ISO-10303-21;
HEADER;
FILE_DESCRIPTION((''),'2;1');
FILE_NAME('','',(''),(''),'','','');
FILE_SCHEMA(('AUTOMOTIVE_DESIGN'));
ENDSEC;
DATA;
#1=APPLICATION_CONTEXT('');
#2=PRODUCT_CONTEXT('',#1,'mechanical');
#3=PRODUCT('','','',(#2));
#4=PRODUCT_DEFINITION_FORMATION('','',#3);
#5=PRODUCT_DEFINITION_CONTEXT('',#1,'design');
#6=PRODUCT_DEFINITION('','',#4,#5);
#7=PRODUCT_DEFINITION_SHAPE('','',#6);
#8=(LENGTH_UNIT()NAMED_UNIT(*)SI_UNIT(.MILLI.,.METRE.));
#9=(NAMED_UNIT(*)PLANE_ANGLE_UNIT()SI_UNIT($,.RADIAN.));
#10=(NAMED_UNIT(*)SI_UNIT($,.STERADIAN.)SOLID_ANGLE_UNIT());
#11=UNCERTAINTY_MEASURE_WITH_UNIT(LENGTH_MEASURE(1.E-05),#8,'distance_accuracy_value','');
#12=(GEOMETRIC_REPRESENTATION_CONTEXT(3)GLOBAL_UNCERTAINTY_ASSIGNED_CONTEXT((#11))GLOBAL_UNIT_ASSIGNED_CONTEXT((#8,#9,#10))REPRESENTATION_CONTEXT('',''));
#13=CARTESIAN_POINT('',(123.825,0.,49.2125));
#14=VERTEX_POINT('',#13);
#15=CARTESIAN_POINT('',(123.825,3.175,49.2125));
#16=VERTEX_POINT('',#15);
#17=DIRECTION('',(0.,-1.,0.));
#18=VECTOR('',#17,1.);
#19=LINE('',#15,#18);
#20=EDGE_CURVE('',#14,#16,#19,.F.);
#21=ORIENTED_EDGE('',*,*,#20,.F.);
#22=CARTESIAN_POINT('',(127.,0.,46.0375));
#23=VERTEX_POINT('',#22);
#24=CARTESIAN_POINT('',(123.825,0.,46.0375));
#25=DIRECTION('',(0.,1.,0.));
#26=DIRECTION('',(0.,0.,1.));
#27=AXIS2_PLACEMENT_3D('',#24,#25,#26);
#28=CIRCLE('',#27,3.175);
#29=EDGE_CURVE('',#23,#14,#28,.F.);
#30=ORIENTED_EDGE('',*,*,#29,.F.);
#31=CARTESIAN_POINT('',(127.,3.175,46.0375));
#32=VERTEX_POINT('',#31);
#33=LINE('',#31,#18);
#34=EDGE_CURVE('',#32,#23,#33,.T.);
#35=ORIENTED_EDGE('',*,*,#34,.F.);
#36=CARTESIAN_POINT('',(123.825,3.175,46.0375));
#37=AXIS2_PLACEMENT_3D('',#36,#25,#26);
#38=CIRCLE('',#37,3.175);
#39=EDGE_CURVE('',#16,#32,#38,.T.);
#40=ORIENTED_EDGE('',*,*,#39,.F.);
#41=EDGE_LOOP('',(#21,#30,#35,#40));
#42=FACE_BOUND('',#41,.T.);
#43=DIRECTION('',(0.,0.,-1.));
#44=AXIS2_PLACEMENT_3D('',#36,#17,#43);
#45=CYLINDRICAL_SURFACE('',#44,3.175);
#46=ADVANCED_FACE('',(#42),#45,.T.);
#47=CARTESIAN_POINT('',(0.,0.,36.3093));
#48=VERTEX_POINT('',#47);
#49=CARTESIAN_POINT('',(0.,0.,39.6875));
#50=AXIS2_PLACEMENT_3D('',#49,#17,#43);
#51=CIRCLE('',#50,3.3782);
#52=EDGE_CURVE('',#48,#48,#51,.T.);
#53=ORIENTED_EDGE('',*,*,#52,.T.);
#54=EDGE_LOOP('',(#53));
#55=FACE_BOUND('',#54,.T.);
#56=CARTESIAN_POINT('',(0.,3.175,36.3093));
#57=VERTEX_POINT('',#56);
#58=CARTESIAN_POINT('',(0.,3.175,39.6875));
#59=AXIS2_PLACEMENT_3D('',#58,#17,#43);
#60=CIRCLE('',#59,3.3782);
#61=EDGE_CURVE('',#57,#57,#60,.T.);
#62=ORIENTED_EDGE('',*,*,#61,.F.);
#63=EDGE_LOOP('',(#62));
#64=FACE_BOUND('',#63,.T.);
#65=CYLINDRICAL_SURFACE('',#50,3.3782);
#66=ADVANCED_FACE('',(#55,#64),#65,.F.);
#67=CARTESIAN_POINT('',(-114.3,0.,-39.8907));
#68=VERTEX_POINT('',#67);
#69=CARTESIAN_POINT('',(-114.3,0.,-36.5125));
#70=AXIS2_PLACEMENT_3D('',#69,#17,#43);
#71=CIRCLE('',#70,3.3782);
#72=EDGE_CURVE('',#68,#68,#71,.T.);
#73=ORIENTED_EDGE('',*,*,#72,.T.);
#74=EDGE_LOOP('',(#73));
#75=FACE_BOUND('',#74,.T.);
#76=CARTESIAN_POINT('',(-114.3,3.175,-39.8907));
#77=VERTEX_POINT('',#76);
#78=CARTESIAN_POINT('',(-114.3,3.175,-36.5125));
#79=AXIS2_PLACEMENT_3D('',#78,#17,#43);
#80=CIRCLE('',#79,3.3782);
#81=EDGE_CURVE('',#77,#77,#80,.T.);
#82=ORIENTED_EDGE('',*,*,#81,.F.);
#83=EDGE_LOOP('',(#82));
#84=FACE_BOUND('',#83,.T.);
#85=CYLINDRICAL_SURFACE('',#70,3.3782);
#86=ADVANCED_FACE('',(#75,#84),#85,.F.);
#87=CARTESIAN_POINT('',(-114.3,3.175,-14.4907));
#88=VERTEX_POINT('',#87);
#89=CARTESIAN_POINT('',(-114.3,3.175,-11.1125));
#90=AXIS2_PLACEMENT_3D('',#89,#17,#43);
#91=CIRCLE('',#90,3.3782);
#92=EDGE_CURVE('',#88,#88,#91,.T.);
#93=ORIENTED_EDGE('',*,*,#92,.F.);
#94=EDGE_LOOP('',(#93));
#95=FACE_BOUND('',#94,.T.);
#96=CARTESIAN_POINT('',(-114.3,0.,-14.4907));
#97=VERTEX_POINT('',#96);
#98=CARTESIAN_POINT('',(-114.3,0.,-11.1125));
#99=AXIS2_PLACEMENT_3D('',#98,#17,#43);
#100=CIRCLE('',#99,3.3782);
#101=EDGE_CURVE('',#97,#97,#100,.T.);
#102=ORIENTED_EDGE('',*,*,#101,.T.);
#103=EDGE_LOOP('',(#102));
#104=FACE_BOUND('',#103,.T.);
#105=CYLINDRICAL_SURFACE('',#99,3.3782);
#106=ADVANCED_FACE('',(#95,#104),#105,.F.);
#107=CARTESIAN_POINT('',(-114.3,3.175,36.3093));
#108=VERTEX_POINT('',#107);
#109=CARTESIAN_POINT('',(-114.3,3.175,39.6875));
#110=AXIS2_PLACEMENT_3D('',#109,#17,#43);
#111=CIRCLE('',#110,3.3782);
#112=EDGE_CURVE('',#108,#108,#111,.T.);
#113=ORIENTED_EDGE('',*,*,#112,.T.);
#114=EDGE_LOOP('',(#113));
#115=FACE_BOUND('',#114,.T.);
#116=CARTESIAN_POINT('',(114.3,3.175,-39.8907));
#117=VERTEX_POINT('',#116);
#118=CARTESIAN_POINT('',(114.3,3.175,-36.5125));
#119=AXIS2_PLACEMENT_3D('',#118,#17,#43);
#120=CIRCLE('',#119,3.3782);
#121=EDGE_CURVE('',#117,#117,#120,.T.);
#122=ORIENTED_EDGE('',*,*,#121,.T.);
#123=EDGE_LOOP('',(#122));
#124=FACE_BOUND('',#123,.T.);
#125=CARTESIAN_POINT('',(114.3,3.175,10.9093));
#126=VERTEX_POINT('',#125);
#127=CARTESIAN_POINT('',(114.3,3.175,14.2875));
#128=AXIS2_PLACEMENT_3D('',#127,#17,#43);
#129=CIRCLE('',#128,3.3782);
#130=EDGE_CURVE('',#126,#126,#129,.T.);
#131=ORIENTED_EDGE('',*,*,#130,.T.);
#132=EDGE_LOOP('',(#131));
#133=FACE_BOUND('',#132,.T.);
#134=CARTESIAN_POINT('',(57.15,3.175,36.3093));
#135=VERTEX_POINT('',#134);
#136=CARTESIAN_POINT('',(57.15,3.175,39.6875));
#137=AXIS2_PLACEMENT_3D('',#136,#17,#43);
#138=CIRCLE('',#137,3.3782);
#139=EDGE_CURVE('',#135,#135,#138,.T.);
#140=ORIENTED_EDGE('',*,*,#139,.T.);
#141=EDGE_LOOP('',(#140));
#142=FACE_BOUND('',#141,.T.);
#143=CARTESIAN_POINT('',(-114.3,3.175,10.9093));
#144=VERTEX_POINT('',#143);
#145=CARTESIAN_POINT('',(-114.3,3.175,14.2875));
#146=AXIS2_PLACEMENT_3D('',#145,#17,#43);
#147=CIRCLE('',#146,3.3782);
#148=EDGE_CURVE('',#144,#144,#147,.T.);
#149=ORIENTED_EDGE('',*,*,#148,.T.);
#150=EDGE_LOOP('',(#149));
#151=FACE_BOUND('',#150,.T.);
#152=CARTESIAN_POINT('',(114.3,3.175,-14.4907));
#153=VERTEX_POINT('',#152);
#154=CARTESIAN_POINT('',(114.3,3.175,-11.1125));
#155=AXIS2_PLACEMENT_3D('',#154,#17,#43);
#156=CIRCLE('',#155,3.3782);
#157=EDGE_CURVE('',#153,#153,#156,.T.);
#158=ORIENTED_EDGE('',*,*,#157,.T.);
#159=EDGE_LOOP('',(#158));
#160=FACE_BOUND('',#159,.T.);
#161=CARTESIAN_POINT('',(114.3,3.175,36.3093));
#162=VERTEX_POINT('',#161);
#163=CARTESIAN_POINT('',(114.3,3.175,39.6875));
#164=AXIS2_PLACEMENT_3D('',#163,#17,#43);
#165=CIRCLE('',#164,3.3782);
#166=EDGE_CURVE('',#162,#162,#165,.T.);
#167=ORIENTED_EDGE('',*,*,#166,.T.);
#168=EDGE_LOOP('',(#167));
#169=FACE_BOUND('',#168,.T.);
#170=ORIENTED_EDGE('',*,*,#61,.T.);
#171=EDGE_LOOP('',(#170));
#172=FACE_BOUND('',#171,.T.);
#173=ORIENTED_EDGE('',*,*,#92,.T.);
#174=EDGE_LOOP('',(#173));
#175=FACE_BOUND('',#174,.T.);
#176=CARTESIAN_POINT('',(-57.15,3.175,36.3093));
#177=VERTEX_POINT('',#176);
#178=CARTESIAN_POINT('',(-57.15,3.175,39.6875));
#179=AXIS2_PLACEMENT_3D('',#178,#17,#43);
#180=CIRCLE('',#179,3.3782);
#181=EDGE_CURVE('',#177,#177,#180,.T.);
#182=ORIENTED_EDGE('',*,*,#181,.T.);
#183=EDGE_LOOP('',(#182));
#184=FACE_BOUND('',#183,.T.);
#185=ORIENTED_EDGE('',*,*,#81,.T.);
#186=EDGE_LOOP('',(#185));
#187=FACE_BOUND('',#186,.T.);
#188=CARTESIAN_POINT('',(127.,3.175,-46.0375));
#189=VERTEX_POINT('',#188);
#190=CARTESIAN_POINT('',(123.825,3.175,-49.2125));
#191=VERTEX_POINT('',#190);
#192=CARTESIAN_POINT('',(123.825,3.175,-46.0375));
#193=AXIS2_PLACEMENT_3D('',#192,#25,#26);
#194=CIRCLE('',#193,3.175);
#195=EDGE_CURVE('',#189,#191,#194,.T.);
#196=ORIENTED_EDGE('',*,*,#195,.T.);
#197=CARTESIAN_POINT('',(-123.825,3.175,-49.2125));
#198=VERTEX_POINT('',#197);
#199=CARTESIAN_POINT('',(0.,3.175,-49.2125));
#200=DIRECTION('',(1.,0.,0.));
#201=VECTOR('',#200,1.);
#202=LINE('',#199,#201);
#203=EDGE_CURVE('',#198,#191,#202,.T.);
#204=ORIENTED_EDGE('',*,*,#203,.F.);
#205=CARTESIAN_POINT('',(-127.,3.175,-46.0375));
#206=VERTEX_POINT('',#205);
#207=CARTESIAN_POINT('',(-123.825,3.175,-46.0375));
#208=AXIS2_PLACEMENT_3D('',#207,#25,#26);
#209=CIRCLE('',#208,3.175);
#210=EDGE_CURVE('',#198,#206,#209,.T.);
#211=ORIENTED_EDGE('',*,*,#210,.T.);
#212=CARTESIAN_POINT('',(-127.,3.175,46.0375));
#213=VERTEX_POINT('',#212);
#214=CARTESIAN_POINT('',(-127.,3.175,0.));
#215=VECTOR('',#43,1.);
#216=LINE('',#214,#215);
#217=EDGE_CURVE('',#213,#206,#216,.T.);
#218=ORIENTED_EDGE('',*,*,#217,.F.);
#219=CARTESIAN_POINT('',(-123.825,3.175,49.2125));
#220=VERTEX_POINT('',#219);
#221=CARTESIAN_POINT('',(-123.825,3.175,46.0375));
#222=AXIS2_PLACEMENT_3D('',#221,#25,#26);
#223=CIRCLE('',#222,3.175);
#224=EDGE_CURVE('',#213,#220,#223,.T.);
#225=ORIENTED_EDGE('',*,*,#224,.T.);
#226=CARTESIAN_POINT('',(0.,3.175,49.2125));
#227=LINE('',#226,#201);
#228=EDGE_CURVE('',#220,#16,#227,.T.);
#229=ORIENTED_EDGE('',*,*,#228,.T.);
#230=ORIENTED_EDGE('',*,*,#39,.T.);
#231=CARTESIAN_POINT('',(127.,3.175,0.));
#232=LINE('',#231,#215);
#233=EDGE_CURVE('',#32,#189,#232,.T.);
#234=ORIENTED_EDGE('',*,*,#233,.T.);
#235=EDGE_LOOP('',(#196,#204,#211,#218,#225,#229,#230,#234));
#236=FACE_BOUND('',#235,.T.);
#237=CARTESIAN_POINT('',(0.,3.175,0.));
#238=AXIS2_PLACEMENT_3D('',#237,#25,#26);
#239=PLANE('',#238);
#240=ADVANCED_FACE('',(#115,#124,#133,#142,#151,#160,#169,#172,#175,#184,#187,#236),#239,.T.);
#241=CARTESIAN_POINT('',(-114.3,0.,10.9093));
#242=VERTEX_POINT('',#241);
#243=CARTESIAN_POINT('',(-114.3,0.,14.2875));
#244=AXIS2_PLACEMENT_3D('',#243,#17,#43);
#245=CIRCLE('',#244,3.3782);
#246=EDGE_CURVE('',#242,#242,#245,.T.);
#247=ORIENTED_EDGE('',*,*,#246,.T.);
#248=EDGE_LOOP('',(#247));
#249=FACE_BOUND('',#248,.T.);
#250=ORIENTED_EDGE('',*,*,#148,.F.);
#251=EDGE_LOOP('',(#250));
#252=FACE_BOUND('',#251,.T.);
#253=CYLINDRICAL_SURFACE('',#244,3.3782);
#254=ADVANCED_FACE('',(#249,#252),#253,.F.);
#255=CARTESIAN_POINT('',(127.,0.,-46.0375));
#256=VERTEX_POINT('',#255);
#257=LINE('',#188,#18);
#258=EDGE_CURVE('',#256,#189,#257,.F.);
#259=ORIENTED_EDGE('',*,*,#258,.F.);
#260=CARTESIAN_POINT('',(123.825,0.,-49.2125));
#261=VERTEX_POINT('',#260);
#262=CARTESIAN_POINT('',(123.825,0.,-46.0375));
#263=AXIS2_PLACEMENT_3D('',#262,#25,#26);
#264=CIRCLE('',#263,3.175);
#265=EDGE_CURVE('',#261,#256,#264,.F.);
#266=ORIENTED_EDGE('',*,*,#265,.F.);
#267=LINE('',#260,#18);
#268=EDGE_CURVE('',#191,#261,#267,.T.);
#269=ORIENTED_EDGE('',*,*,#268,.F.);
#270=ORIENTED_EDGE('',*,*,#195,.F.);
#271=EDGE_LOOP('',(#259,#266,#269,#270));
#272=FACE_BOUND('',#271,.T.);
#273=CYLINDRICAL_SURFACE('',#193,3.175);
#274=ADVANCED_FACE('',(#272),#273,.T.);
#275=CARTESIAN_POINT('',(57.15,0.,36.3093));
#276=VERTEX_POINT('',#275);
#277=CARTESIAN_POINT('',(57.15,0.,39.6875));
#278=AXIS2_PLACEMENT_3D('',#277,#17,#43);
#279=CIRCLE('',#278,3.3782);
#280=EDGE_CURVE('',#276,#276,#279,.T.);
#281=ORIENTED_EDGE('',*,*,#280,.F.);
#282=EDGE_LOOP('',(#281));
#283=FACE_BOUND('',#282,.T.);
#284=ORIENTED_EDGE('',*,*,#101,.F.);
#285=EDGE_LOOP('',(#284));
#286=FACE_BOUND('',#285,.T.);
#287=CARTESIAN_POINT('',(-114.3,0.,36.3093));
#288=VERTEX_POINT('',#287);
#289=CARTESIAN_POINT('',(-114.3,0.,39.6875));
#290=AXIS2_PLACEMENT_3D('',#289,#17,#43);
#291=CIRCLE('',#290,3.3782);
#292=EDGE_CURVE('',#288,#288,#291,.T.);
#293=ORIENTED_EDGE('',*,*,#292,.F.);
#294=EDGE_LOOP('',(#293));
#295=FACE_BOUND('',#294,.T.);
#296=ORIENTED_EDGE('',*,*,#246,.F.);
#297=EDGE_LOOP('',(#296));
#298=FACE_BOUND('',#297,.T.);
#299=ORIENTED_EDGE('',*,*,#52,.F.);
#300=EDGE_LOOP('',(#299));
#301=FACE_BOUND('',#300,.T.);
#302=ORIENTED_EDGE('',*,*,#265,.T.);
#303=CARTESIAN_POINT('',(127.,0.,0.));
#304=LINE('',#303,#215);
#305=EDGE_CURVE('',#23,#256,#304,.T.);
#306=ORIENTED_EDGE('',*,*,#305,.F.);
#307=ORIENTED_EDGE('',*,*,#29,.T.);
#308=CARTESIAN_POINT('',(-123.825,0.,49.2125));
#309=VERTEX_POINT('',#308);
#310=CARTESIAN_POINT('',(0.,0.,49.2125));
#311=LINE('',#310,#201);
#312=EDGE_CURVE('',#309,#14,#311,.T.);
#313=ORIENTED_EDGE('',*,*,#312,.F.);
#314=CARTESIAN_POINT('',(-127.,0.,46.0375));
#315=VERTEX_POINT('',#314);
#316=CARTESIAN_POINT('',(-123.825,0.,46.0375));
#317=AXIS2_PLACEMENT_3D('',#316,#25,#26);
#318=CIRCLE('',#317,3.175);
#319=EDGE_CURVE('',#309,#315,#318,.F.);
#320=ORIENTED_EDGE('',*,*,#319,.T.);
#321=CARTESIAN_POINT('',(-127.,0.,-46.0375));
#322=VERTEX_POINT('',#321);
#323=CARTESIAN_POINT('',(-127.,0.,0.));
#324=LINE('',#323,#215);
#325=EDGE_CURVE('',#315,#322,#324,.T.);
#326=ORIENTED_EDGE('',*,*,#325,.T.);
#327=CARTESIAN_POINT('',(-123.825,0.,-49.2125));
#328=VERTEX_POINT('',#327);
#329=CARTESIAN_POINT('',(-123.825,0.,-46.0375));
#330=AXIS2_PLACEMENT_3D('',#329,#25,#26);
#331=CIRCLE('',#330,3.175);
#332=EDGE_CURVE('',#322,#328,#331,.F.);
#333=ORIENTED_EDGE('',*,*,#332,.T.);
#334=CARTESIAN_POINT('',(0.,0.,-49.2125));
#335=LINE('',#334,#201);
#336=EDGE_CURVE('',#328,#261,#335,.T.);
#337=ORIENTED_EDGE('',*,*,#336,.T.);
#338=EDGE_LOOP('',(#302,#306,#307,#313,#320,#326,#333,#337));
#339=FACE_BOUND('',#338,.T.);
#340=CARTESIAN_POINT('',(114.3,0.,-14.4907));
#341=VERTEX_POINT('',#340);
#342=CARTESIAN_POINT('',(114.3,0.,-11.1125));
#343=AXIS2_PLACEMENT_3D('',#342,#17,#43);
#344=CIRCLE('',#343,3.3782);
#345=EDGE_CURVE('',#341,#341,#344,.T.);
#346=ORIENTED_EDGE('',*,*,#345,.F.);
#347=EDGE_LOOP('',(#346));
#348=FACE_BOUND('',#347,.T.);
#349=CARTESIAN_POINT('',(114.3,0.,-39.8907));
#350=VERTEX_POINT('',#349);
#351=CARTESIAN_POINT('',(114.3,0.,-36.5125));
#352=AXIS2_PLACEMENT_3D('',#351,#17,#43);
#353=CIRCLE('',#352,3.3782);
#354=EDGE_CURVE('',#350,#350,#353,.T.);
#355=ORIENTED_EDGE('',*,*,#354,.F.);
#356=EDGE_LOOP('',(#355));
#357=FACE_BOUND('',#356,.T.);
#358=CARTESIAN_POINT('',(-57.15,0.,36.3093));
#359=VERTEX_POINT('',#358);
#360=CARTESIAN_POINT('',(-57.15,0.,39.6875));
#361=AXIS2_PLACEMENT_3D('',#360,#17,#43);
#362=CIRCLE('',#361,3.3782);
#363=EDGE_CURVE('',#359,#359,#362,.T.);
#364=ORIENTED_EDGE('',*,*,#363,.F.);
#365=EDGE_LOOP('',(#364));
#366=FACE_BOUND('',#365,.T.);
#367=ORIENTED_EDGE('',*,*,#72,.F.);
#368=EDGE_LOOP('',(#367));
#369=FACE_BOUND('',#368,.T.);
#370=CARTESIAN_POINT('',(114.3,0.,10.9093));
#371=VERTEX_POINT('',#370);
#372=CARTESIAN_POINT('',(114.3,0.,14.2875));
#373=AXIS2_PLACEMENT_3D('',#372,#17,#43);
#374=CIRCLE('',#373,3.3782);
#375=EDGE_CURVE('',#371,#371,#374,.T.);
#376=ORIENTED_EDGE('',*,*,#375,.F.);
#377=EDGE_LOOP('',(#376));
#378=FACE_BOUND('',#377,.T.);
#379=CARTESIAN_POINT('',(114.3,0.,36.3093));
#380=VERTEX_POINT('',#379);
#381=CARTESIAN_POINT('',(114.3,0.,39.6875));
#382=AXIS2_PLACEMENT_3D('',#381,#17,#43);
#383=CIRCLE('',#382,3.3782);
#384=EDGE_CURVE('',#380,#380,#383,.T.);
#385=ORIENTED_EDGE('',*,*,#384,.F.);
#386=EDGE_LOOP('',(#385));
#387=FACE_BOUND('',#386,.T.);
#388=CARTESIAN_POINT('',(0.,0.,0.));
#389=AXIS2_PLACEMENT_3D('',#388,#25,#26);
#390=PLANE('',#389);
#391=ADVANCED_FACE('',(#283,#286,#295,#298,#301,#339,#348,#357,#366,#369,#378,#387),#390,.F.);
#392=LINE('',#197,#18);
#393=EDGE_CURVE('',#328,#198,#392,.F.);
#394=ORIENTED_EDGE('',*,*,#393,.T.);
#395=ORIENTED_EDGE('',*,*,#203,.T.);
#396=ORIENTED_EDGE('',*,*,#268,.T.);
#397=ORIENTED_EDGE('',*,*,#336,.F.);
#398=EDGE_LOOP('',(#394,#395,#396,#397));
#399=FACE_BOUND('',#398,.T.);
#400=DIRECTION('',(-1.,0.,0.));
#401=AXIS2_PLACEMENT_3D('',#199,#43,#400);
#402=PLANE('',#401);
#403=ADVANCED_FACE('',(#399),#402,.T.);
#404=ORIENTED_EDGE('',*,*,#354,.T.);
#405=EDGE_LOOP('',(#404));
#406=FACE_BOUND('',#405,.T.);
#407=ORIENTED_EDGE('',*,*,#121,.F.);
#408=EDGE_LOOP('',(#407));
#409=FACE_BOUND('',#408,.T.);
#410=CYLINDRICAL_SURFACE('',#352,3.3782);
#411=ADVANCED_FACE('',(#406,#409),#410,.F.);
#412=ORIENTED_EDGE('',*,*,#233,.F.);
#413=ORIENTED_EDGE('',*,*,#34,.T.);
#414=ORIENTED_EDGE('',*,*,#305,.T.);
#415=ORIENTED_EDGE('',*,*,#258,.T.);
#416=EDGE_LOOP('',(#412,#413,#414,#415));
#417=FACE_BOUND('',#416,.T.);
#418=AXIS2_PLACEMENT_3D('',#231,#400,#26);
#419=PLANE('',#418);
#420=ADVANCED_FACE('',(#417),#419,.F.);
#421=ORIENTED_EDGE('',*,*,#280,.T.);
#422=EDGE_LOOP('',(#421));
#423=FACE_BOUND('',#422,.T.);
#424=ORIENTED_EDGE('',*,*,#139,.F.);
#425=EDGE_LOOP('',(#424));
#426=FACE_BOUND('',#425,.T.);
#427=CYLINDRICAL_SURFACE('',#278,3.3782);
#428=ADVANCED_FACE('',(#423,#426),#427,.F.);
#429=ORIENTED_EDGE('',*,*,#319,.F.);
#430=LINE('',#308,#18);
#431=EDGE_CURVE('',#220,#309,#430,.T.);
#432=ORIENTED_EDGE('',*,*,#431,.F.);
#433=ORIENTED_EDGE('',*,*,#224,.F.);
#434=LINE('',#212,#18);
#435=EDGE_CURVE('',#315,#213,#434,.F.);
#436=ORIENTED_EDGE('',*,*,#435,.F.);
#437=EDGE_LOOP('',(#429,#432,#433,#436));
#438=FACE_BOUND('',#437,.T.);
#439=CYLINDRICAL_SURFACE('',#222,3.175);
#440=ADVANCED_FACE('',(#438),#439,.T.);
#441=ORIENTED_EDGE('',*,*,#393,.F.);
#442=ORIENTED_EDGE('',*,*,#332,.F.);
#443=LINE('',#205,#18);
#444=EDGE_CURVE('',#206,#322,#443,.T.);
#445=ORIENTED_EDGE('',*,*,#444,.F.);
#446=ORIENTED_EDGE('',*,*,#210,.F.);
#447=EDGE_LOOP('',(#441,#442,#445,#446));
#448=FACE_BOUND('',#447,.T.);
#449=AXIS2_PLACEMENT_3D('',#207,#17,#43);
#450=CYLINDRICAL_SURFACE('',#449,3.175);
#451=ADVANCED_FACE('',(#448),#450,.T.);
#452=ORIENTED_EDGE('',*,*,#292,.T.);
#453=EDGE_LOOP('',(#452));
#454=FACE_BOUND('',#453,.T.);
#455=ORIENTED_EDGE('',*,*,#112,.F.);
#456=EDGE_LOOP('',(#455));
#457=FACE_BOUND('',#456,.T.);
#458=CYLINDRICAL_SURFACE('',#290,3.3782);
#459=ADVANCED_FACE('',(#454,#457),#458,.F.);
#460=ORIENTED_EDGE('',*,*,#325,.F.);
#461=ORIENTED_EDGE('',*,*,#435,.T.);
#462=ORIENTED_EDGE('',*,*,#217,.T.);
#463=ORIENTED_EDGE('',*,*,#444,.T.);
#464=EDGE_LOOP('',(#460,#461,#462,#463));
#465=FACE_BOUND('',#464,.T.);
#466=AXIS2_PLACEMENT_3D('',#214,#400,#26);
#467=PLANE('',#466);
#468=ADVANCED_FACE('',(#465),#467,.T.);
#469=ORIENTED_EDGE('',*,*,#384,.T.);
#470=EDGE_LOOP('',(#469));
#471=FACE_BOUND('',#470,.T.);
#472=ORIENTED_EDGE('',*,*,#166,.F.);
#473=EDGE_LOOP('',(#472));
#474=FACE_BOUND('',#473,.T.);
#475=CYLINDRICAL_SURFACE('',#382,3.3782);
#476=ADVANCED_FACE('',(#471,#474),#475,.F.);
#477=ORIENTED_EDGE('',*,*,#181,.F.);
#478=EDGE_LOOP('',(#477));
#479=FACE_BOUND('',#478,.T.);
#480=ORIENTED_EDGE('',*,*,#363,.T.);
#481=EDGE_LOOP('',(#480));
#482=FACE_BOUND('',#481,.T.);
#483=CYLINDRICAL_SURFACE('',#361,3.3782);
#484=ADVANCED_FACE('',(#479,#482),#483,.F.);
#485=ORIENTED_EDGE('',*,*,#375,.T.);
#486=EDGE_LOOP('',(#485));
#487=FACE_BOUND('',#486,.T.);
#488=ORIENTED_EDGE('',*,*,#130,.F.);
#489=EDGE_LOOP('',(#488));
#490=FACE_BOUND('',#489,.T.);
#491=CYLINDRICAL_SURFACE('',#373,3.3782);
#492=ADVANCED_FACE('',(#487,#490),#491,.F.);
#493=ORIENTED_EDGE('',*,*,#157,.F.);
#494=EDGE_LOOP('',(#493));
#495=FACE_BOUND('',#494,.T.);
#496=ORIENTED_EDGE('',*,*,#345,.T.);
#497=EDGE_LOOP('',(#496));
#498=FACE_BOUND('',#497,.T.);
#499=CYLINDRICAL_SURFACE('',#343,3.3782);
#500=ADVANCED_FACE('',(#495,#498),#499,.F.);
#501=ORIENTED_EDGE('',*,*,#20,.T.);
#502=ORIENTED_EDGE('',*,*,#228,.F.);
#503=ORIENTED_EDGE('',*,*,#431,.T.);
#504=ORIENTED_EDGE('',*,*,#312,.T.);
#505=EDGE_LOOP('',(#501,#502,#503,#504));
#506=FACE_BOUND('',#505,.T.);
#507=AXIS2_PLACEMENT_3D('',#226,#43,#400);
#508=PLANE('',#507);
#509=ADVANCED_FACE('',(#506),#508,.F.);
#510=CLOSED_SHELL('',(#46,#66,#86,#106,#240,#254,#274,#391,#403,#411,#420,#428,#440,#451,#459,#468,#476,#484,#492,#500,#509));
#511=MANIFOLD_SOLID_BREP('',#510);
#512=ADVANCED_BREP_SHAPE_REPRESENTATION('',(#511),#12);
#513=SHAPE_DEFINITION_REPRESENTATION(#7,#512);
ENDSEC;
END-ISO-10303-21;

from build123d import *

# Parameters (mm, degrees)
SKETCH1_W                     = 254
SKETCH1_H                     = 98.425
SKETCH1_R                     = 6.35
BOSS_EXTRUDE1_DEPTH           = 3.175
TAP_DRILL_FOR_1_4_HELICOIL2_D = 6.7564
FILLET1_R                     = 3.175


with BuildPart() as part:
    # Sketch1 → Boss-Extrude1 (new body)
    # profile 1 of 2: a face of its own
    with BuildSketch(Plane(origin=(0, 0, 0), x_dir=(1, 0, 0), z_dir=(0, 1, 0))):
        Rectangle(SKETCH1_W, SKETCH1_H)
        with Locations((-114.3, 36.5125)):
            Circle(SKETCH1_R, mode=Mode.SUBTRACT)
    # profile 2 of 2: a face of its own
    with BuildSketch(Plane(origin=(0, 0, 0), x_dir=(1, 0, 0), z_dir=(0, 1, 0))):
        with Locations((-114.3, 36.5125)):
            Circle(SKETCH1_R)
    extrude(amount=BOSS_EXTRUDE1_DEPTH)

    # Tap Drill for 1/4 Helicoil2 (through all)
    with Locations(Plane(origin=(0, 0, 0), x_dir=(-1, 0, 0), z_dir=(0, -1, 0))):
        with Locations((-114.3, 36.5125), (-114.3, 11.1125), (-114.3, -14.2875), (-57.15, -39.6875), (0, -39.6875), (57.15, -39.6875), (114.3, -14.2875), (114.3, 11.1125), (114.3, 36.5125), (114.3, -39.6875), (-114.3, -39.6875)):
            Hole(TAP_DRILL_FOR_1_4_HELICOIL2_D / 2)

    # Fillet1
    fillet1_edges = [part.edges().sort_by_distance(p)[0] for p in [
        (-127, 1.5875, 49.2125),
        (-127, 1.5875, -49.2125),
        (127, 1.5875, -49.2125),
        (127, 1.5875, 49.2125),
    ]]
    fillet(fillet1_edges, radius=FILLET1_R)


solid = part.part
